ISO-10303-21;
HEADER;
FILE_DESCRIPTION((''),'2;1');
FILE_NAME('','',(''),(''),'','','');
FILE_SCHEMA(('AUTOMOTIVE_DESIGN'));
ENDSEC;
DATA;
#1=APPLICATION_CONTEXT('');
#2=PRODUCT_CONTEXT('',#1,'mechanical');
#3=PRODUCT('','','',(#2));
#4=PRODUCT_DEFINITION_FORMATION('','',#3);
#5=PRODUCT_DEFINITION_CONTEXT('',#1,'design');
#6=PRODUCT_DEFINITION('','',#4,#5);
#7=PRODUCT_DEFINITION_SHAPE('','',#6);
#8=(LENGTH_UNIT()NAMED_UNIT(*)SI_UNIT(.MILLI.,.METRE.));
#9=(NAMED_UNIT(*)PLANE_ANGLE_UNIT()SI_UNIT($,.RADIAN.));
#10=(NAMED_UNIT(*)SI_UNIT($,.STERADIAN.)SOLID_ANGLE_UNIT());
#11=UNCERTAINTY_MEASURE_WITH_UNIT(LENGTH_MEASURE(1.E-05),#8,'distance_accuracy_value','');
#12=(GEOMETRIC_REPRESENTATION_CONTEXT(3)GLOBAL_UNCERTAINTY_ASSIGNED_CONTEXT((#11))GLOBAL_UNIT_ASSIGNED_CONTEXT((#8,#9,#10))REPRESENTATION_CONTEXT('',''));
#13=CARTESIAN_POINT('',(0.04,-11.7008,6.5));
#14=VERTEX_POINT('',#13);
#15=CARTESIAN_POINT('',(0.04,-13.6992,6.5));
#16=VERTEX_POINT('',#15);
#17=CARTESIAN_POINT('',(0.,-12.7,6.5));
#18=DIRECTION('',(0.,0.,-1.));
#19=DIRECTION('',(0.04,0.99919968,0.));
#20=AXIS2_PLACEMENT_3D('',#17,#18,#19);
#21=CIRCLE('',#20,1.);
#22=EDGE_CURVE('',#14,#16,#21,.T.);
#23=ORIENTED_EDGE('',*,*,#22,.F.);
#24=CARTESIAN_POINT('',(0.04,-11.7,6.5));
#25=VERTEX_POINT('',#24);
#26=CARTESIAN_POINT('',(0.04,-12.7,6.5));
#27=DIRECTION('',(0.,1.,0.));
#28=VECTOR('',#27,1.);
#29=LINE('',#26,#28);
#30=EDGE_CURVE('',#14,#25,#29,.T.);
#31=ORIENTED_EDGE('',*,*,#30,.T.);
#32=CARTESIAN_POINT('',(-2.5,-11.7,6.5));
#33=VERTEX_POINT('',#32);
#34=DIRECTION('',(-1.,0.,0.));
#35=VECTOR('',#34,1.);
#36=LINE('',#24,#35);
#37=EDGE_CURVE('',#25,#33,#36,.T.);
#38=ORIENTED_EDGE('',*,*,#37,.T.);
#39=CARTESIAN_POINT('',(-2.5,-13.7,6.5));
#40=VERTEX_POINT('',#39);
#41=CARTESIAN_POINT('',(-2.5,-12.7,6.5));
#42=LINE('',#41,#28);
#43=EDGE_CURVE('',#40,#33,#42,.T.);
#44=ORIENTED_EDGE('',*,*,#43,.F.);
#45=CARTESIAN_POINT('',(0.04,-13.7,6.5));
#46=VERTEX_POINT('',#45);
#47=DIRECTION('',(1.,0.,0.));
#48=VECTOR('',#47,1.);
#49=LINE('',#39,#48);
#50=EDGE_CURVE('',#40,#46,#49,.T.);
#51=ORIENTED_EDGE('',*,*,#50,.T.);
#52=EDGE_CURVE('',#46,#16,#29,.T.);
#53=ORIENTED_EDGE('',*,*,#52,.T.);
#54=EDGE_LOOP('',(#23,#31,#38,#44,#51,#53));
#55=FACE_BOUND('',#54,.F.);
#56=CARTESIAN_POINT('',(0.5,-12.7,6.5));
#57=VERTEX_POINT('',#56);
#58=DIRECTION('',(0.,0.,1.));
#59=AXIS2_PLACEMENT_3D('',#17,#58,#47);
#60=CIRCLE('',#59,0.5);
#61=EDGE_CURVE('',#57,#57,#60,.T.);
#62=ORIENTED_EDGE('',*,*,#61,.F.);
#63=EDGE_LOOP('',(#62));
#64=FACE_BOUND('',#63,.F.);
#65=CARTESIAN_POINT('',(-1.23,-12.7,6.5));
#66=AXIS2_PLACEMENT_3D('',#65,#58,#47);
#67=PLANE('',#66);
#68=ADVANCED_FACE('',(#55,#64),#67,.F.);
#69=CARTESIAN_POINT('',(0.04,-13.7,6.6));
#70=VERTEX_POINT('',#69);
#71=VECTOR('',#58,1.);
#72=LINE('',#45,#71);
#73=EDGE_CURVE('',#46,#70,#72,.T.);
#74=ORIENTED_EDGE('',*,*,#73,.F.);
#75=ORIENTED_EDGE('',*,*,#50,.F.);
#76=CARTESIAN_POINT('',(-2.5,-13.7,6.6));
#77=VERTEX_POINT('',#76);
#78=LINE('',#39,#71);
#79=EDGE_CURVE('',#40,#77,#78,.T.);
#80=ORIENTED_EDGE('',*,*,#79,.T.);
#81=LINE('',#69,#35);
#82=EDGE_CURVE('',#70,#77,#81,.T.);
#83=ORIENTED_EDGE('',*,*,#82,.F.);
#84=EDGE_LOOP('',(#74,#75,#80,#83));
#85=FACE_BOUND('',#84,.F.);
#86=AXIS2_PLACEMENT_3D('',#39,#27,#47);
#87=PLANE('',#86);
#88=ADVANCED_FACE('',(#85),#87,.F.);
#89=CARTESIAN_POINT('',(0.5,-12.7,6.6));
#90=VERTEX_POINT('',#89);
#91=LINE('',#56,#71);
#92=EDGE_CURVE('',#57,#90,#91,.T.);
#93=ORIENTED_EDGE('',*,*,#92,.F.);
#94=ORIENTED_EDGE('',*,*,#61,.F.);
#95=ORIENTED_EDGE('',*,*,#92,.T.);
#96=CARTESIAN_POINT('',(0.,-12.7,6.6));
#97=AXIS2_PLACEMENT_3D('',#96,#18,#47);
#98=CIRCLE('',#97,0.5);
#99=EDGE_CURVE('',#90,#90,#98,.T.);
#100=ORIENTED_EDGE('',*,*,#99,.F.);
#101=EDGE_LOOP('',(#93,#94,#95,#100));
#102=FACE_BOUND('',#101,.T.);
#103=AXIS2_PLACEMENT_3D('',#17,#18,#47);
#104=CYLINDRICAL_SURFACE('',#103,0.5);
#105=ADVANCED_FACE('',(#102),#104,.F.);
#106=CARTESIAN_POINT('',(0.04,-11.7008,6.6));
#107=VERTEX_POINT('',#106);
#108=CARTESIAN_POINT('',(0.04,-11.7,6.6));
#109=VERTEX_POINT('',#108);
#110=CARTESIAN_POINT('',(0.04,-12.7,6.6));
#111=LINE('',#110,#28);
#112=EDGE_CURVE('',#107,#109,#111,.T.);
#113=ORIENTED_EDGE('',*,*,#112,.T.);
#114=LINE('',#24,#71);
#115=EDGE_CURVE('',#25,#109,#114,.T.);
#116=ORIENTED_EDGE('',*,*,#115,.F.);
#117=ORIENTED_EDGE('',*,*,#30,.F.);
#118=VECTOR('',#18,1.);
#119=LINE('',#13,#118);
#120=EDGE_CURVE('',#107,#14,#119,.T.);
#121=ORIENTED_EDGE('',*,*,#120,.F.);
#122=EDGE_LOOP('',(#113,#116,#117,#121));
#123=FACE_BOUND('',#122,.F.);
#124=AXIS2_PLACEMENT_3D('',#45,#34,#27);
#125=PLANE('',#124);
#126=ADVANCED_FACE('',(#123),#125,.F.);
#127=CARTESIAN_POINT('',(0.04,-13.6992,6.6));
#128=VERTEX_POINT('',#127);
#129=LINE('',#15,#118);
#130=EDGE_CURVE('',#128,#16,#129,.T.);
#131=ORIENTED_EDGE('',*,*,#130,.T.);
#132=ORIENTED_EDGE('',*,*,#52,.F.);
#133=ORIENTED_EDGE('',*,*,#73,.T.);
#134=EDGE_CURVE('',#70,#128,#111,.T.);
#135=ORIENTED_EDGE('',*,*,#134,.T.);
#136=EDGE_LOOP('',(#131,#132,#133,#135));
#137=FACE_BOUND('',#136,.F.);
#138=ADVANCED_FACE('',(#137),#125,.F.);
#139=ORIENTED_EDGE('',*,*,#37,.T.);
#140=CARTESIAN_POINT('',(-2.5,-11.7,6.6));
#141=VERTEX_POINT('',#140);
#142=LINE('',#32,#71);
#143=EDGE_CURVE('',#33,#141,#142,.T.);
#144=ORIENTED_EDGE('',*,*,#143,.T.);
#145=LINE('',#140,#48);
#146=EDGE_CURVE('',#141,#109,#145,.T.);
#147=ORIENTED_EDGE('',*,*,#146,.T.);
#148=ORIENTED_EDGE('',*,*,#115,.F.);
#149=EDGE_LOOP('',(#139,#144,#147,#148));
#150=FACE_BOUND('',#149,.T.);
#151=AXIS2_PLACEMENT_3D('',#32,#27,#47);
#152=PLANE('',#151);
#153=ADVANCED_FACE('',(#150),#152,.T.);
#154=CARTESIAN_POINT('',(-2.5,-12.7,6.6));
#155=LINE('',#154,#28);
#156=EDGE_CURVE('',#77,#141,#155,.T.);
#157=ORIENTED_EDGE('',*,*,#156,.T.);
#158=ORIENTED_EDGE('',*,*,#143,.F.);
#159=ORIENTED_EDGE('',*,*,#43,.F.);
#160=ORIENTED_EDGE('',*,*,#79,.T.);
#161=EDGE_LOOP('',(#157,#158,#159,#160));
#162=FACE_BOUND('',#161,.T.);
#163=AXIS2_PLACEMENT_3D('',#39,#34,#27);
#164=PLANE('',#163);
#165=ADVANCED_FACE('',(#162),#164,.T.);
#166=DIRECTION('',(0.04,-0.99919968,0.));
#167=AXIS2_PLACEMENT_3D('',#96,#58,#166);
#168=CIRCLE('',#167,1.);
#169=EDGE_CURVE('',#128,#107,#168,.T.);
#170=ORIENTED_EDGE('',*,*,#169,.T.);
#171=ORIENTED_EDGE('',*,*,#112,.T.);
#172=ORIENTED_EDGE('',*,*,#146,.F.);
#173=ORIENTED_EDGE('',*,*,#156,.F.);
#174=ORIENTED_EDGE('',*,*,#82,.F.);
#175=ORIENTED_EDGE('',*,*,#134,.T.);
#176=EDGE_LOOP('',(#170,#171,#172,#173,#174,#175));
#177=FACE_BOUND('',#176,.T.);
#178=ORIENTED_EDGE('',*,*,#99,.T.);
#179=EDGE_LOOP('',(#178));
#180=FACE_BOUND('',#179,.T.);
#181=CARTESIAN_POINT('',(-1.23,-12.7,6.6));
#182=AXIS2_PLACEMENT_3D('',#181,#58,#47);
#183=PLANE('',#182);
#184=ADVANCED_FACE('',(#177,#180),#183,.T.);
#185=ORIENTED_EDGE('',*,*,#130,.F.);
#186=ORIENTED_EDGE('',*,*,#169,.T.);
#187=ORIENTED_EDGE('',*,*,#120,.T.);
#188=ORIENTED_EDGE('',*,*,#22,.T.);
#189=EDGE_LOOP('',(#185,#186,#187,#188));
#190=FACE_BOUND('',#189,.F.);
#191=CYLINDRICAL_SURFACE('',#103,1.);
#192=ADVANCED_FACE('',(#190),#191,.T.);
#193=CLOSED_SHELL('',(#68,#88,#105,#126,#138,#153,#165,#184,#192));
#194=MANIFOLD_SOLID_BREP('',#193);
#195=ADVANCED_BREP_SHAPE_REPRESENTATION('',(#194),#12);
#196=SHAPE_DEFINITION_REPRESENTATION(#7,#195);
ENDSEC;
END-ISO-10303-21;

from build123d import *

# Parameters (mm, degrees)
CYLINDER017_R     = 0.5
CYLINDER017_DEPTH = 0.1
BOX008_W          = 2.54
BOX008_H          = 2
BOX008_DEPTH      = 0.1
CYLINDER016_R     = 0.5
CYLINDER016_DEPTH = 0.1
CYLINDER015_R     = 1
CYLINDER015_DEPTH = 0.1


with BuildPart() as cylinder017:
    # Cylinder017 → Cylinder017 (new body)
    with BuildSketch(Plane.XY.offset(1)):
        Circle(CYLINDER017_R)
    extrude(amount=CYLINDER017_DEPTH)


with BuildPart() as cut012:
    # Box008 → Box008 (new body)
    with BuildSketch(Plane(origin=(-2.5, -1, 1), x_dir=(1, 0, 0), z_dir=(0, 0, 1))):
        with Locations((1.27, 1)):
            Rectangle(BOX008_W, BOX008_H)
    extrude(amount=BOX008_DEPTH)

    # Cut012: cut Cylinder017
    add(cylinder017.part, mode=Mode.SUBTRACT)


with BuildPart() as cylinder016:
    # Cylinder016 → Cylinder016 (new body)
    with BuildSketch(Plane.XY.offset(1)):
        Circle(CYLINDER016_R)
    extrude(amount=CYLINDER016_DEPTH)


with BuildPart() as fusion005:
    # Cylinder015 → Cylinder015 (new body)
    with BuildSketch(Plane.XY.offset(1)):
        Circle(CYLINDER015_R)
    extrude(amount=CYLINDER015_DEPTH)

    # Cut011: cut Cylinder016
    add(cylinder016.part, mode=Mode.SUBTRACT)

    # Fusion005: union Cut012
    add(cut012.part)


with BuildPart() as fusion005_1:
    # Fusion005 placement: moved
    add(fusion005.part.moved(Location((0, -12.7, 5.5))))


solid = fusion005_1.part
